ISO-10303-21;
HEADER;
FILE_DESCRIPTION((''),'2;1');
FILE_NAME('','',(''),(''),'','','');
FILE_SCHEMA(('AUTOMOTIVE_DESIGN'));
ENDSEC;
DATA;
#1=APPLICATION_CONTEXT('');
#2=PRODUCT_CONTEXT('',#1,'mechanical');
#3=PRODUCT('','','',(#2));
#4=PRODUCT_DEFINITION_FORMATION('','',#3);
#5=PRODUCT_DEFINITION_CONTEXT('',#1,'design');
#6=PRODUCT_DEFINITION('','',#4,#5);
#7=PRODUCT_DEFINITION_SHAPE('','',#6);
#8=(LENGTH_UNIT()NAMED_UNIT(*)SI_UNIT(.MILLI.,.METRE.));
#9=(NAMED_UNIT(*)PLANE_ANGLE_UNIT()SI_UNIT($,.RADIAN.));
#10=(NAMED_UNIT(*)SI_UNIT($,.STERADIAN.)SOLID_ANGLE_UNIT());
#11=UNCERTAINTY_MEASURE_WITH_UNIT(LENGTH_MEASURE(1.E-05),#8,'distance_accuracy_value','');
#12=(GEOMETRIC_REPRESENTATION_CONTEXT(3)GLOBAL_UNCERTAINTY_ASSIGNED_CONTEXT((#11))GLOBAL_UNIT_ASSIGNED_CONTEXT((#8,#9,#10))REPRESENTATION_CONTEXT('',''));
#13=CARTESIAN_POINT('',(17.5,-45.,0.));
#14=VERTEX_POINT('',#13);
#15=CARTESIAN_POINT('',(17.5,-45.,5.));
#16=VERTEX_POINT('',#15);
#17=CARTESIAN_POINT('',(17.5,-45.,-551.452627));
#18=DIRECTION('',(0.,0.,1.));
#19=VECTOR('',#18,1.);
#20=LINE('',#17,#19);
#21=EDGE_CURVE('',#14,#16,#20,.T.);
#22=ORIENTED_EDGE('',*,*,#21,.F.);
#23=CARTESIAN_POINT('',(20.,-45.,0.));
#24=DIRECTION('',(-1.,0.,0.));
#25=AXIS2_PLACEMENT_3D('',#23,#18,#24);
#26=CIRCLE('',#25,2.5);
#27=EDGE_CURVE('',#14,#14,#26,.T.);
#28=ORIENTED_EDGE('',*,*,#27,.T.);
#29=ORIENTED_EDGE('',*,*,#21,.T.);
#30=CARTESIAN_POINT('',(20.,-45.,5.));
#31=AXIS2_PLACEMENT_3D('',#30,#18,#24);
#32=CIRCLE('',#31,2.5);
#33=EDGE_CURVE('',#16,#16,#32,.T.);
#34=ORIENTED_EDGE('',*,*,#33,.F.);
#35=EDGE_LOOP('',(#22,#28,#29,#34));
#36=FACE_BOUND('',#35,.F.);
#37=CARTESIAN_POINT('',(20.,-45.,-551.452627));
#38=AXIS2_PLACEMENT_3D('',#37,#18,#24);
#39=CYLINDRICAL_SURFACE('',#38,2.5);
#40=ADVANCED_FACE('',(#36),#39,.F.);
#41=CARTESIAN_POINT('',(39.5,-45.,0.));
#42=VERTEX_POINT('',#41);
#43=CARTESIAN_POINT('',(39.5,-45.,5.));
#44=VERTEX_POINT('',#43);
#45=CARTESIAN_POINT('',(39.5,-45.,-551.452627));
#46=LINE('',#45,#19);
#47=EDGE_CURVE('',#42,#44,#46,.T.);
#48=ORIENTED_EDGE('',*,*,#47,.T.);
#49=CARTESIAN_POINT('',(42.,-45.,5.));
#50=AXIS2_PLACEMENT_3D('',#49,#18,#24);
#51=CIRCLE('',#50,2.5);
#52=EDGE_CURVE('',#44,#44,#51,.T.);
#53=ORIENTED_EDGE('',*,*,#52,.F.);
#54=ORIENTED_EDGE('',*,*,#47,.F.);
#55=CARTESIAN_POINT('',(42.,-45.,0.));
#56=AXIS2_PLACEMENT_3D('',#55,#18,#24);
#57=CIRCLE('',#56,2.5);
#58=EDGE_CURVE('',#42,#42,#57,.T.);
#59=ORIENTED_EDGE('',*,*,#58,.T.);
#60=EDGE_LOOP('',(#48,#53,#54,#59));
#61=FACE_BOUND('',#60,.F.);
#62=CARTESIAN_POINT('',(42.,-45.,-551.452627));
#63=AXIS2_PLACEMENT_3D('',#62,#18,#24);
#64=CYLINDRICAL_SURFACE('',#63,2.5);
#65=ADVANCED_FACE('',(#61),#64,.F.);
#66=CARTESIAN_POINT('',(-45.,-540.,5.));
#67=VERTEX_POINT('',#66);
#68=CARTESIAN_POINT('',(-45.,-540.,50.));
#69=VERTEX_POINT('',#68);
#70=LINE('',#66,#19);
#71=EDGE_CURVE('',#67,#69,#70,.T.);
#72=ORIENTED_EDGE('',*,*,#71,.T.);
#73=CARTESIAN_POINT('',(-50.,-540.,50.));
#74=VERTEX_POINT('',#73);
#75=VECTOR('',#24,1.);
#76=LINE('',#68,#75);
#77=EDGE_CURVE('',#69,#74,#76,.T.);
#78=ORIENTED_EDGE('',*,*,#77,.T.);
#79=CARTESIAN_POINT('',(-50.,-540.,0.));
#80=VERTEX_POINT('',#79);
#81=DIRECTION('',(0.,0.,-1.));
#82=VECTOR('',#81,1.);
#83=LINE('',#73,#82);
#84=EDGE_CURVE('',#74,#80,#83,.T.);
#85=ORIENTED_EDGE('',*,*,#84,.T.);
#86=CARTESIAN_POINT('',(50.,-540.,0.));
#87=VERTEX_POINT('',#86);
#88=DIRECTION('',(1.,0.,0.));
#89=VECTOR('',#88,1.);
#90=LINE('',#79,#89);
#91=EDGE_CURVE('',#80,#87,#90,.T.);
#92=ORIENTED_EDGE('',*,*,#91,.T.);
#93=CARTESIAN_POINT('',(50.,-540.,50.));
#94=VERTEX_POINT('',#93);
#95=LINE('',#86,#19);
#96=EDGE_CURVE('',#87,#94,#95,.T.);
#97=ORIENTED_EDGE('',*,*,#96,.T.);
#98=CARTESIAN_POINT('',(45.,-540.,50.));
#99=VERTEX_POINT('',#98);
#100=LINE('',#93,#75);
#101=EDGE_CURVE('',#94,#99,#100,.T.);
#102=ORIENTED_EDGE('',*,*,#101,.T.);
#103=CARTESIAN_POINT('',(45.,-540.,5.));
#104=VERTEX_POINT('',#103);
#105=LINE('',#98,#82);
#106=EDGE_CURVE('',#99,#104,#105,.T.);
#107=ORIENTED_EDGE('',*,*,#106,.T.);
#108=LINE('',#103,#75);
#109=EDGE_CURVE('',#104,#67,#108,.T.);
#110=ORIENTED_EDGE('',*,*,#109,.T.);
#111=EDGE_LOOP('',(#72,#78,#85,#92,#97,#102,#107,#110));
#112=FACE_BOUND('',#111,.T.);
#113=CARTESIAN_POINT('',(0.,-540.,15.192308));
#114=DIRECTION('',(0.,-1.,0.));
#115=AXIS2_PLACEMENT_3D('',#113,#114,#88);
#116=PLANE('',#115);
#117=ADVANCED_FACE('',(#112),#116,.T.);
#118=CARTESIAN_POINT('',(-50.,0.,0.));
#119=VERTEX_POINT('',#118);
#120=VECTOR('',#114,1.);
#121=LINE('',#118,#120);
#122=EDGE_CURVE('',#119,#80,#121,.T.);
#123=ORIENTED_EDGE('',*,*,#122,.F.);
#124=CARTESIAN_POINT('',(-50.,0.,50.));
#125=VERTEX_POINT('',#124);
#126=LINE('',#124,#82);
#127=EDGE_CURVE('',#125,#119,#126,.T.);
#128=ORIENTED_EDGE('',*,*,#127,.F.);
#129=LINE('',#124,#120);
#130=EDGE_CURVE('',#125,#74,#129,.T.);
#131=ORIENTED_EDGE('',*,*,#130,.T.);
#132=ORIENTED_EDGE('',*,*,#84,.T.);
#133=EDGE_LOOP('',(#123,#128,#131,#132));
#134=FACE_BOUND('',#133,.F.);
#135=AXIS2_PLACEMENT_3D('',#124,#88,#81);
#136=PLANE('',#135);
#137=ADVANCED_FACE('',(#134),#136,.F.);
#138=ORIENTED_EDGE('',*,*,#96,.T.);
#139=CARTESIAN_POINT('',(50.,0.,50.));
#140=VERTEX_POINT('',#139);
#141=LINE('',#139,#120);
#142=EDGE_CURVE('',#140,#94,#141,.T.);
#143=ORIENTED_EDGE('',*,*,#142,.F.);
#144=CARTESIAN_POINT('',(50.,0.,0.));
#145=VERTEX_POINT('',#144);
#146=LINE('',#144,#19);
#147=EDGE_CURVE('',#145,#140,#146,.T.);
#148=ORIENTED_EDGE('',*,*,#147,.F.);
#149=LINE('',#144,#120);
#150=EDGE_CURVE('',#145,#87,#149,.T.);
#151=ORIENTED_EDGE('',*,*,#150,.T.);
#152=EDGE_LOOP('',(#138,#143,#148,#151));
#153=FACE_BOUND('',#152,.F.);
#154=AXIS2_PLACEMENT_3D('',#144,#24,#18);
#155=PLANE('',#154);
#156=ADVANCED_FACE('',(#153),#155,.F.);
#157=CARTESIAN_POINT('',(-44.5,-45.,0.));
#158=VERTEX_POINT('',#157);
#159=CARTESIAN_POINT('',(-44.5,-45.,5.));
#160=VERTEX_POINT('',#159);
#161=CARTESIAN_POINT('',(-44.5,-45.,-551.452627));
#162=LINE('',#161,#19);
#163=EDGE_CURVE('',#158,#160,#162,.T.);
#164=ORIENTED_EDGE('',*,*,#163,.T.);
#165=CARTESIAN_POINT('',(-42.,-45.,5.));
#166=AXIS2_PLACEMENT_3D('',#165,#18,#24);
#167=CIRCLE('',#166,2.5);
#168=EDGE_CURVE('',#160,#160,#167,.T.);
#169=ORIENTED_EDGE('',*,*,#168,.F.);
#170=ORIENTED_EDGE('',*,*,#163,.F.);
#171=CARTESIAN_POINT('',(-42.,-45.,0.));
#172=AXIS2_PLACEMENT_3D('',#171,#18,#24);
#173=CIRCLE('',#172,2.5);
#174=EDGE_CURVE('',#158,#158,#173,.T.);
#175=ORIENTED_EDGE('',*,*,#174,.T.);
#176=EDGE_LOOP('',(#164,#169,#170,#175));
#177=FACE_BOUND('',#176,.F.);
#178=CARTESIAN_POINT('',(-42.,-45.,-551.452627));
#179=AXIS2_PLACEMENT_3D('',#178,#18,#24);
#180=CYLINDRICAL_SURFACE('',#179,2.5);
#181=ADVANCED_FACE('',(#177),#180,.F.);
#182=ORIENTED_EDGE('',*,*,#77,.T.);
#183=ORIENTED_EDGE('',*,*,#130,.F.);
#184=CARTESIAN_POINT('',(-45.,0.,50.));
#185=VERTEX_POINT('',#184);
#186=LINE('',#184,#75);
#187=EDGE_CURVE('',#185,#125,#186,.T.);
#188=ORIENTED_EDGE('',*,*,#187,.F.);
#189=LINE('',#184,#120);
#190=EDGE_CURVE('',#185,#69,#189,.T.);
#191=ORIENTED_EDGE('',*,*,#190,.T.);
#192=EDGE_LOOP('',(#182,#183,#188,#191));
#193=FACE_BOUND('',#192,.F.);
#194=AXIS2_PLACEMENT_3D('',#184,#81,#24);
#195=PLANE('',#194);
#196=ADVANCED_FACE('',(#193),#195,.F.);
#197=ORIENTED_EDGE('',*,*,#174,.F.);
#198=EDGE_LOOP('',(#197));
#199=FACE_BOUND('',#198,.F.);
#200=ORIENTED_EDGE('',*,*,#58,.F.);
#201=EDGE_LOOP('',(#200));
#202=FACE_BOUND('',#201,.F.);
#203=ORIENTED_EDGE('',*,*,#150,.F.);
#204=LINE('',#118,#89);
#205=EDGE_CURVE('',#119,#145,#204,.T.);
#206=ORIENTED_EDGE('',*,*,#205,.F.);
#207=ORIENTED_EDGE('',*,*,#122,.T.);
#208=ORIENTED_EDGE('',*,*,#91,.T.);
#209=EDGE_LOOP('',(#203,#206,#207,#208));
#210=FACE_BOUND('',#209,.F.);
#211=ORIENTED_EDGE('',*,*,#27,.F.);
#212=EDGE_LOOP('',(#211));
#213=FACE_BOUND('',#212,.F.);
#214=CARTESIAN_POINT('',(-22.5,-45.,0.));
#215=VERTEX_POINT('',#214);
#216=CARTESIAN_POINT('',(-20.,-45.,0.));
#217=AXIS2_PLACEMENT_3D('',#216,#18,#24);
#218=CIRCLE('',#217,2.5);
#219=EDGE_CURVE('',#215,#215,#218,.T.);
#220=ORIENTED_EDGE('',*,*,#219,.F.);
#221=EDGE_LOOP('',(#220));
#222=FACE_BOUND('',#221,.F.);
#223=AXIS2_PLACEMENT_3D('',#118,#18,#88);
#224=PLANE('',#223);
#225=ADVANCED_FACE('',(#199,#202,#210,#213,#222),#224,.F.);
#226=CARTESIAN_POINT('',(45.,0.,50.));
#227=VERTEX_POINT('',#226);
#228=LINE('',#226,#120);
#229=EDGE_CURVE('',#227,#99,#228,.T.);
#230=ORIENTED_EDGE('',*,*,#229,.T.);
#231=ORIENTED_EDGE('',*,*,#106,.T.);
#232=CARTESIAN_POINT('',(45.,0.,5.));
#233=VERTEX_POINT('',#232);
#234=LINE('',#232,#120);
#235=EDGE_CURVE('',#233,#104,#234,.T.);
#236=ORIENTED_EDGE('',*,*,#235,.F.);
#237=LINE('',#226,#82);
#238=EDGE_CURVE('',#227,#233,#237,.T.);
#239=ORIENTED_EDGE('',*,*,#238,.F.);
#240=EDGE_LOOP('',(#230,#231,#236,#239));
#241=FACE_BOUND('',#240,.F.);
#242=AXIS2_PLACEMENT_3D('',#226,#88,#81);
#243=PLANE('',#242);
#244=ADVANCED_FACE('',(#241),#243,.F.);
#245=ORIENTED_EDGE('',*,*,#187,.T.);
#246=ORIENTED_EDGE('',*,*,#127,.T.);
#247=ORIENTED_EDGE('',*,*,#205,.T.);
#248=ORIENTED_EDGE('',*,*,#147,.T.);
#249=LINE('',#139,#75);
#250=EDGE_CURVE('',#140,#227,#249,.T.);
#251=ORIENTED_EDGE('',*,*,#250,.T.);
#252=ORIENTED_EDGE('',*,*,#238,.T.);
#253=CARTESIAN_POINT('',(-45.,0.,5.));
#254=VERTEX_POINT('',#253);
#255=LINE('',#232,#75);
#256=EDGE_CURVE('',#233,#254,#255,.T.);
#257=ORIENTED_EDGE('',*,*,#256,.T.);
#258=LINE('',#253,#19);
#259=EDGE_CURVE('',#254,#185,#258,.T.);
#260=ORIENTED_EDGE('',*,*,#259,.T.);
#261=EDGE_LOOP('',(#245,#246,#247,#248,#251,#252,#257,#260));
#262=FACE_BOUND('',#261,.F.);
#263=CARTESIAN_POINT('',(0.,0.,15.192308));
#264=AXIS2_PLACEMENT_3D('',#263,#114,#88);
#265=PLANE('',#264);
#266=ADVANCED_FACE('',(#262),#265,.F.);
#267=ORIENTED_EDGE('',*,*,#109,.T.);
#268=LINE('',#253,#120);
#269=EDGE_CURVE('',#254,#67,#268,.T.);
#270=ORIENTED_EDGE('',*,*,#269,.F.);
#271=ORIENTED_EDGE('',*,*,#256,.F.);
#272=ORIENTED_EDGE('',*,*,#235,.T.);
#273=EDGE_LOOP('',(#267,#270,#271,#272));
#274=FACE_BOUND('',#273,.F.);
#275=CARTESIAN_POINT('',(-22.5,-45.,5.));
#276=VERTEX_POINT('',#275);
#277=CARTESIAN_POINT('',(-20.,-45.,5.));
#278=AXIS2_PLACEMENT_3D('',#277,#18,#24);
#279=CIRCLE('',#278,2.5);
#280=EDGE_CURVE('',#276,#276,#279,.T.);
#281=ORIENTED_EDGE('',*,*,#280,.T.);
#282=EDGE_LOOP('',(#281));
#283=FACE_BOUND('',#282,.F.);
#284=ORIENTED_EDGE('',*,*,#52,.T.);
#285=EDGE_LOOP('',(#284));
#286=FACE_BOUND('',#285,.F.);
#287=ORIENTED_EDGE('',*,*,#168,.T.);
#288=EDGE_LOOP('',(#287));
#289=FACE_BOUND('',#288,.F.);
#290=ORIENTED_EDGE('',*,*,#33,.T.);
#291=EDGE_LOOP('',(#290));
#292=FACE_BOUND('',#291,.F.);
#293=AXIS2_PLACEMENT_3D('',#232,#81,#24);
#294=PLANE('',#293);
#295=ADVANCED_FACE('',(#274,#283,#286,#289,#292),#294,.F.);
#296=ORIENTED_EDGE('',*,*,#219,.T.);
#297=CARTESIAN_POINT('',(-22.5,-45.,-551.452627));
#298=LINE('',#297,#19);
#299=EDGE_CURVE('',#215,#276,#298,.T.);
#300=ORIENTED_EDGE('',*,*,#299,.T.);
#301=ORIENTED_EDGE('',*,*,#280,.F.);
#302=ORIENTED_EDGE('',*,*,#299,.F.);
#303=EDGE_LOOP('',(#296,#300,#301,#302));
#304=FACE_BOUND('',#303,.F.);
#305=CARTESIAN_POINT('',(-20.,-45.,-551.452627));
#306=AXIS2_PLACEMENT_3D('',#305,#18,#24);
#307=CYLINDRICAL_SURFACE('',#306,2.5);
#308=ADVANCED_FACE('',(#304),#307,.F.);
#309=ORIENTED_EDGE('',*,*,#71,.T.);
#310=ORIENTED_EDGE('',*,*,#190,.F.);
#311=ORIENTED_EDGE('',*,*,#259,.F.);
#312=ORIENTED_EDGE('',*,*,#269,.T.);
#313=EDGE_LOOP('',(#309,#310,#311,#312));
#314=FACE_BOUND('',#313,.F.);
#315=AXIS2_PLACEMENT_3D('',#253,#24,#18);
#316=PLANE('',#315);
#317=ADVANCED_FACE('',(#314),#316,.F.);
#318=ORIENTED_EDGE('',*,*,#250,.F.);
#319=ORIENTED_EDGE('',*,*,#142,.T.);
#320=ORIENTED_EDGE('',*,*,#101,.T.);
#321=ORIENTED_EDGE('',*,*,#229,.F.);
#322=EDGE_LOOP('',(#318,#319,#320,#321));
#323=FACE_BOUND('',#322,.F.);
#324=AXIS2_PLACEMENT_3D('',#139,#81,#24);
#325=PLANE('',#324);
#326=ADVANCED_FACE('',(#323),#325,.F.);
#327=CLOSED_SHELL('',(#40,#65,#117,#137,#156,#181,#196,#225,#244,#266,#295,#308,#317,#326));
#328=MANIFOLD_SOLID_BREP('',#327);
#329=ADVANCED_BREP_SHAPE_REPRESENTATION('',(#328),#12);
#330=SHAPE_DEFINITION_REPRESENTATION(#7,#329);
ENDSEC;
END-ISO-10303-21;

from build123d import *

# Parameters (mm, degrees)
F1_DEPTH = 540
F3_D     = 5


with BuildPart() as f1:
    # F0 (on Front) → F1 (new body)
    with BuildSketch(Plane.XZ):
        Polygon((-50, 50), (-50, 0), (50, 0), (50, 50), (45, 50), (45, 5), (-45, 5), (-45, 50), align=None)
    extrude(amount=F1_DEPTH)

    # F3 (through all)
    with Locations(Plane(origin=(0, 0, 0), x_dir=(1, 0, 0), z_dir=(0, 0, -1))):
        with Locations((-42, 45), (42, 45), (-20, 45), (20, 45)):
            Hole(F3_D / 2)


solid = f1.part
